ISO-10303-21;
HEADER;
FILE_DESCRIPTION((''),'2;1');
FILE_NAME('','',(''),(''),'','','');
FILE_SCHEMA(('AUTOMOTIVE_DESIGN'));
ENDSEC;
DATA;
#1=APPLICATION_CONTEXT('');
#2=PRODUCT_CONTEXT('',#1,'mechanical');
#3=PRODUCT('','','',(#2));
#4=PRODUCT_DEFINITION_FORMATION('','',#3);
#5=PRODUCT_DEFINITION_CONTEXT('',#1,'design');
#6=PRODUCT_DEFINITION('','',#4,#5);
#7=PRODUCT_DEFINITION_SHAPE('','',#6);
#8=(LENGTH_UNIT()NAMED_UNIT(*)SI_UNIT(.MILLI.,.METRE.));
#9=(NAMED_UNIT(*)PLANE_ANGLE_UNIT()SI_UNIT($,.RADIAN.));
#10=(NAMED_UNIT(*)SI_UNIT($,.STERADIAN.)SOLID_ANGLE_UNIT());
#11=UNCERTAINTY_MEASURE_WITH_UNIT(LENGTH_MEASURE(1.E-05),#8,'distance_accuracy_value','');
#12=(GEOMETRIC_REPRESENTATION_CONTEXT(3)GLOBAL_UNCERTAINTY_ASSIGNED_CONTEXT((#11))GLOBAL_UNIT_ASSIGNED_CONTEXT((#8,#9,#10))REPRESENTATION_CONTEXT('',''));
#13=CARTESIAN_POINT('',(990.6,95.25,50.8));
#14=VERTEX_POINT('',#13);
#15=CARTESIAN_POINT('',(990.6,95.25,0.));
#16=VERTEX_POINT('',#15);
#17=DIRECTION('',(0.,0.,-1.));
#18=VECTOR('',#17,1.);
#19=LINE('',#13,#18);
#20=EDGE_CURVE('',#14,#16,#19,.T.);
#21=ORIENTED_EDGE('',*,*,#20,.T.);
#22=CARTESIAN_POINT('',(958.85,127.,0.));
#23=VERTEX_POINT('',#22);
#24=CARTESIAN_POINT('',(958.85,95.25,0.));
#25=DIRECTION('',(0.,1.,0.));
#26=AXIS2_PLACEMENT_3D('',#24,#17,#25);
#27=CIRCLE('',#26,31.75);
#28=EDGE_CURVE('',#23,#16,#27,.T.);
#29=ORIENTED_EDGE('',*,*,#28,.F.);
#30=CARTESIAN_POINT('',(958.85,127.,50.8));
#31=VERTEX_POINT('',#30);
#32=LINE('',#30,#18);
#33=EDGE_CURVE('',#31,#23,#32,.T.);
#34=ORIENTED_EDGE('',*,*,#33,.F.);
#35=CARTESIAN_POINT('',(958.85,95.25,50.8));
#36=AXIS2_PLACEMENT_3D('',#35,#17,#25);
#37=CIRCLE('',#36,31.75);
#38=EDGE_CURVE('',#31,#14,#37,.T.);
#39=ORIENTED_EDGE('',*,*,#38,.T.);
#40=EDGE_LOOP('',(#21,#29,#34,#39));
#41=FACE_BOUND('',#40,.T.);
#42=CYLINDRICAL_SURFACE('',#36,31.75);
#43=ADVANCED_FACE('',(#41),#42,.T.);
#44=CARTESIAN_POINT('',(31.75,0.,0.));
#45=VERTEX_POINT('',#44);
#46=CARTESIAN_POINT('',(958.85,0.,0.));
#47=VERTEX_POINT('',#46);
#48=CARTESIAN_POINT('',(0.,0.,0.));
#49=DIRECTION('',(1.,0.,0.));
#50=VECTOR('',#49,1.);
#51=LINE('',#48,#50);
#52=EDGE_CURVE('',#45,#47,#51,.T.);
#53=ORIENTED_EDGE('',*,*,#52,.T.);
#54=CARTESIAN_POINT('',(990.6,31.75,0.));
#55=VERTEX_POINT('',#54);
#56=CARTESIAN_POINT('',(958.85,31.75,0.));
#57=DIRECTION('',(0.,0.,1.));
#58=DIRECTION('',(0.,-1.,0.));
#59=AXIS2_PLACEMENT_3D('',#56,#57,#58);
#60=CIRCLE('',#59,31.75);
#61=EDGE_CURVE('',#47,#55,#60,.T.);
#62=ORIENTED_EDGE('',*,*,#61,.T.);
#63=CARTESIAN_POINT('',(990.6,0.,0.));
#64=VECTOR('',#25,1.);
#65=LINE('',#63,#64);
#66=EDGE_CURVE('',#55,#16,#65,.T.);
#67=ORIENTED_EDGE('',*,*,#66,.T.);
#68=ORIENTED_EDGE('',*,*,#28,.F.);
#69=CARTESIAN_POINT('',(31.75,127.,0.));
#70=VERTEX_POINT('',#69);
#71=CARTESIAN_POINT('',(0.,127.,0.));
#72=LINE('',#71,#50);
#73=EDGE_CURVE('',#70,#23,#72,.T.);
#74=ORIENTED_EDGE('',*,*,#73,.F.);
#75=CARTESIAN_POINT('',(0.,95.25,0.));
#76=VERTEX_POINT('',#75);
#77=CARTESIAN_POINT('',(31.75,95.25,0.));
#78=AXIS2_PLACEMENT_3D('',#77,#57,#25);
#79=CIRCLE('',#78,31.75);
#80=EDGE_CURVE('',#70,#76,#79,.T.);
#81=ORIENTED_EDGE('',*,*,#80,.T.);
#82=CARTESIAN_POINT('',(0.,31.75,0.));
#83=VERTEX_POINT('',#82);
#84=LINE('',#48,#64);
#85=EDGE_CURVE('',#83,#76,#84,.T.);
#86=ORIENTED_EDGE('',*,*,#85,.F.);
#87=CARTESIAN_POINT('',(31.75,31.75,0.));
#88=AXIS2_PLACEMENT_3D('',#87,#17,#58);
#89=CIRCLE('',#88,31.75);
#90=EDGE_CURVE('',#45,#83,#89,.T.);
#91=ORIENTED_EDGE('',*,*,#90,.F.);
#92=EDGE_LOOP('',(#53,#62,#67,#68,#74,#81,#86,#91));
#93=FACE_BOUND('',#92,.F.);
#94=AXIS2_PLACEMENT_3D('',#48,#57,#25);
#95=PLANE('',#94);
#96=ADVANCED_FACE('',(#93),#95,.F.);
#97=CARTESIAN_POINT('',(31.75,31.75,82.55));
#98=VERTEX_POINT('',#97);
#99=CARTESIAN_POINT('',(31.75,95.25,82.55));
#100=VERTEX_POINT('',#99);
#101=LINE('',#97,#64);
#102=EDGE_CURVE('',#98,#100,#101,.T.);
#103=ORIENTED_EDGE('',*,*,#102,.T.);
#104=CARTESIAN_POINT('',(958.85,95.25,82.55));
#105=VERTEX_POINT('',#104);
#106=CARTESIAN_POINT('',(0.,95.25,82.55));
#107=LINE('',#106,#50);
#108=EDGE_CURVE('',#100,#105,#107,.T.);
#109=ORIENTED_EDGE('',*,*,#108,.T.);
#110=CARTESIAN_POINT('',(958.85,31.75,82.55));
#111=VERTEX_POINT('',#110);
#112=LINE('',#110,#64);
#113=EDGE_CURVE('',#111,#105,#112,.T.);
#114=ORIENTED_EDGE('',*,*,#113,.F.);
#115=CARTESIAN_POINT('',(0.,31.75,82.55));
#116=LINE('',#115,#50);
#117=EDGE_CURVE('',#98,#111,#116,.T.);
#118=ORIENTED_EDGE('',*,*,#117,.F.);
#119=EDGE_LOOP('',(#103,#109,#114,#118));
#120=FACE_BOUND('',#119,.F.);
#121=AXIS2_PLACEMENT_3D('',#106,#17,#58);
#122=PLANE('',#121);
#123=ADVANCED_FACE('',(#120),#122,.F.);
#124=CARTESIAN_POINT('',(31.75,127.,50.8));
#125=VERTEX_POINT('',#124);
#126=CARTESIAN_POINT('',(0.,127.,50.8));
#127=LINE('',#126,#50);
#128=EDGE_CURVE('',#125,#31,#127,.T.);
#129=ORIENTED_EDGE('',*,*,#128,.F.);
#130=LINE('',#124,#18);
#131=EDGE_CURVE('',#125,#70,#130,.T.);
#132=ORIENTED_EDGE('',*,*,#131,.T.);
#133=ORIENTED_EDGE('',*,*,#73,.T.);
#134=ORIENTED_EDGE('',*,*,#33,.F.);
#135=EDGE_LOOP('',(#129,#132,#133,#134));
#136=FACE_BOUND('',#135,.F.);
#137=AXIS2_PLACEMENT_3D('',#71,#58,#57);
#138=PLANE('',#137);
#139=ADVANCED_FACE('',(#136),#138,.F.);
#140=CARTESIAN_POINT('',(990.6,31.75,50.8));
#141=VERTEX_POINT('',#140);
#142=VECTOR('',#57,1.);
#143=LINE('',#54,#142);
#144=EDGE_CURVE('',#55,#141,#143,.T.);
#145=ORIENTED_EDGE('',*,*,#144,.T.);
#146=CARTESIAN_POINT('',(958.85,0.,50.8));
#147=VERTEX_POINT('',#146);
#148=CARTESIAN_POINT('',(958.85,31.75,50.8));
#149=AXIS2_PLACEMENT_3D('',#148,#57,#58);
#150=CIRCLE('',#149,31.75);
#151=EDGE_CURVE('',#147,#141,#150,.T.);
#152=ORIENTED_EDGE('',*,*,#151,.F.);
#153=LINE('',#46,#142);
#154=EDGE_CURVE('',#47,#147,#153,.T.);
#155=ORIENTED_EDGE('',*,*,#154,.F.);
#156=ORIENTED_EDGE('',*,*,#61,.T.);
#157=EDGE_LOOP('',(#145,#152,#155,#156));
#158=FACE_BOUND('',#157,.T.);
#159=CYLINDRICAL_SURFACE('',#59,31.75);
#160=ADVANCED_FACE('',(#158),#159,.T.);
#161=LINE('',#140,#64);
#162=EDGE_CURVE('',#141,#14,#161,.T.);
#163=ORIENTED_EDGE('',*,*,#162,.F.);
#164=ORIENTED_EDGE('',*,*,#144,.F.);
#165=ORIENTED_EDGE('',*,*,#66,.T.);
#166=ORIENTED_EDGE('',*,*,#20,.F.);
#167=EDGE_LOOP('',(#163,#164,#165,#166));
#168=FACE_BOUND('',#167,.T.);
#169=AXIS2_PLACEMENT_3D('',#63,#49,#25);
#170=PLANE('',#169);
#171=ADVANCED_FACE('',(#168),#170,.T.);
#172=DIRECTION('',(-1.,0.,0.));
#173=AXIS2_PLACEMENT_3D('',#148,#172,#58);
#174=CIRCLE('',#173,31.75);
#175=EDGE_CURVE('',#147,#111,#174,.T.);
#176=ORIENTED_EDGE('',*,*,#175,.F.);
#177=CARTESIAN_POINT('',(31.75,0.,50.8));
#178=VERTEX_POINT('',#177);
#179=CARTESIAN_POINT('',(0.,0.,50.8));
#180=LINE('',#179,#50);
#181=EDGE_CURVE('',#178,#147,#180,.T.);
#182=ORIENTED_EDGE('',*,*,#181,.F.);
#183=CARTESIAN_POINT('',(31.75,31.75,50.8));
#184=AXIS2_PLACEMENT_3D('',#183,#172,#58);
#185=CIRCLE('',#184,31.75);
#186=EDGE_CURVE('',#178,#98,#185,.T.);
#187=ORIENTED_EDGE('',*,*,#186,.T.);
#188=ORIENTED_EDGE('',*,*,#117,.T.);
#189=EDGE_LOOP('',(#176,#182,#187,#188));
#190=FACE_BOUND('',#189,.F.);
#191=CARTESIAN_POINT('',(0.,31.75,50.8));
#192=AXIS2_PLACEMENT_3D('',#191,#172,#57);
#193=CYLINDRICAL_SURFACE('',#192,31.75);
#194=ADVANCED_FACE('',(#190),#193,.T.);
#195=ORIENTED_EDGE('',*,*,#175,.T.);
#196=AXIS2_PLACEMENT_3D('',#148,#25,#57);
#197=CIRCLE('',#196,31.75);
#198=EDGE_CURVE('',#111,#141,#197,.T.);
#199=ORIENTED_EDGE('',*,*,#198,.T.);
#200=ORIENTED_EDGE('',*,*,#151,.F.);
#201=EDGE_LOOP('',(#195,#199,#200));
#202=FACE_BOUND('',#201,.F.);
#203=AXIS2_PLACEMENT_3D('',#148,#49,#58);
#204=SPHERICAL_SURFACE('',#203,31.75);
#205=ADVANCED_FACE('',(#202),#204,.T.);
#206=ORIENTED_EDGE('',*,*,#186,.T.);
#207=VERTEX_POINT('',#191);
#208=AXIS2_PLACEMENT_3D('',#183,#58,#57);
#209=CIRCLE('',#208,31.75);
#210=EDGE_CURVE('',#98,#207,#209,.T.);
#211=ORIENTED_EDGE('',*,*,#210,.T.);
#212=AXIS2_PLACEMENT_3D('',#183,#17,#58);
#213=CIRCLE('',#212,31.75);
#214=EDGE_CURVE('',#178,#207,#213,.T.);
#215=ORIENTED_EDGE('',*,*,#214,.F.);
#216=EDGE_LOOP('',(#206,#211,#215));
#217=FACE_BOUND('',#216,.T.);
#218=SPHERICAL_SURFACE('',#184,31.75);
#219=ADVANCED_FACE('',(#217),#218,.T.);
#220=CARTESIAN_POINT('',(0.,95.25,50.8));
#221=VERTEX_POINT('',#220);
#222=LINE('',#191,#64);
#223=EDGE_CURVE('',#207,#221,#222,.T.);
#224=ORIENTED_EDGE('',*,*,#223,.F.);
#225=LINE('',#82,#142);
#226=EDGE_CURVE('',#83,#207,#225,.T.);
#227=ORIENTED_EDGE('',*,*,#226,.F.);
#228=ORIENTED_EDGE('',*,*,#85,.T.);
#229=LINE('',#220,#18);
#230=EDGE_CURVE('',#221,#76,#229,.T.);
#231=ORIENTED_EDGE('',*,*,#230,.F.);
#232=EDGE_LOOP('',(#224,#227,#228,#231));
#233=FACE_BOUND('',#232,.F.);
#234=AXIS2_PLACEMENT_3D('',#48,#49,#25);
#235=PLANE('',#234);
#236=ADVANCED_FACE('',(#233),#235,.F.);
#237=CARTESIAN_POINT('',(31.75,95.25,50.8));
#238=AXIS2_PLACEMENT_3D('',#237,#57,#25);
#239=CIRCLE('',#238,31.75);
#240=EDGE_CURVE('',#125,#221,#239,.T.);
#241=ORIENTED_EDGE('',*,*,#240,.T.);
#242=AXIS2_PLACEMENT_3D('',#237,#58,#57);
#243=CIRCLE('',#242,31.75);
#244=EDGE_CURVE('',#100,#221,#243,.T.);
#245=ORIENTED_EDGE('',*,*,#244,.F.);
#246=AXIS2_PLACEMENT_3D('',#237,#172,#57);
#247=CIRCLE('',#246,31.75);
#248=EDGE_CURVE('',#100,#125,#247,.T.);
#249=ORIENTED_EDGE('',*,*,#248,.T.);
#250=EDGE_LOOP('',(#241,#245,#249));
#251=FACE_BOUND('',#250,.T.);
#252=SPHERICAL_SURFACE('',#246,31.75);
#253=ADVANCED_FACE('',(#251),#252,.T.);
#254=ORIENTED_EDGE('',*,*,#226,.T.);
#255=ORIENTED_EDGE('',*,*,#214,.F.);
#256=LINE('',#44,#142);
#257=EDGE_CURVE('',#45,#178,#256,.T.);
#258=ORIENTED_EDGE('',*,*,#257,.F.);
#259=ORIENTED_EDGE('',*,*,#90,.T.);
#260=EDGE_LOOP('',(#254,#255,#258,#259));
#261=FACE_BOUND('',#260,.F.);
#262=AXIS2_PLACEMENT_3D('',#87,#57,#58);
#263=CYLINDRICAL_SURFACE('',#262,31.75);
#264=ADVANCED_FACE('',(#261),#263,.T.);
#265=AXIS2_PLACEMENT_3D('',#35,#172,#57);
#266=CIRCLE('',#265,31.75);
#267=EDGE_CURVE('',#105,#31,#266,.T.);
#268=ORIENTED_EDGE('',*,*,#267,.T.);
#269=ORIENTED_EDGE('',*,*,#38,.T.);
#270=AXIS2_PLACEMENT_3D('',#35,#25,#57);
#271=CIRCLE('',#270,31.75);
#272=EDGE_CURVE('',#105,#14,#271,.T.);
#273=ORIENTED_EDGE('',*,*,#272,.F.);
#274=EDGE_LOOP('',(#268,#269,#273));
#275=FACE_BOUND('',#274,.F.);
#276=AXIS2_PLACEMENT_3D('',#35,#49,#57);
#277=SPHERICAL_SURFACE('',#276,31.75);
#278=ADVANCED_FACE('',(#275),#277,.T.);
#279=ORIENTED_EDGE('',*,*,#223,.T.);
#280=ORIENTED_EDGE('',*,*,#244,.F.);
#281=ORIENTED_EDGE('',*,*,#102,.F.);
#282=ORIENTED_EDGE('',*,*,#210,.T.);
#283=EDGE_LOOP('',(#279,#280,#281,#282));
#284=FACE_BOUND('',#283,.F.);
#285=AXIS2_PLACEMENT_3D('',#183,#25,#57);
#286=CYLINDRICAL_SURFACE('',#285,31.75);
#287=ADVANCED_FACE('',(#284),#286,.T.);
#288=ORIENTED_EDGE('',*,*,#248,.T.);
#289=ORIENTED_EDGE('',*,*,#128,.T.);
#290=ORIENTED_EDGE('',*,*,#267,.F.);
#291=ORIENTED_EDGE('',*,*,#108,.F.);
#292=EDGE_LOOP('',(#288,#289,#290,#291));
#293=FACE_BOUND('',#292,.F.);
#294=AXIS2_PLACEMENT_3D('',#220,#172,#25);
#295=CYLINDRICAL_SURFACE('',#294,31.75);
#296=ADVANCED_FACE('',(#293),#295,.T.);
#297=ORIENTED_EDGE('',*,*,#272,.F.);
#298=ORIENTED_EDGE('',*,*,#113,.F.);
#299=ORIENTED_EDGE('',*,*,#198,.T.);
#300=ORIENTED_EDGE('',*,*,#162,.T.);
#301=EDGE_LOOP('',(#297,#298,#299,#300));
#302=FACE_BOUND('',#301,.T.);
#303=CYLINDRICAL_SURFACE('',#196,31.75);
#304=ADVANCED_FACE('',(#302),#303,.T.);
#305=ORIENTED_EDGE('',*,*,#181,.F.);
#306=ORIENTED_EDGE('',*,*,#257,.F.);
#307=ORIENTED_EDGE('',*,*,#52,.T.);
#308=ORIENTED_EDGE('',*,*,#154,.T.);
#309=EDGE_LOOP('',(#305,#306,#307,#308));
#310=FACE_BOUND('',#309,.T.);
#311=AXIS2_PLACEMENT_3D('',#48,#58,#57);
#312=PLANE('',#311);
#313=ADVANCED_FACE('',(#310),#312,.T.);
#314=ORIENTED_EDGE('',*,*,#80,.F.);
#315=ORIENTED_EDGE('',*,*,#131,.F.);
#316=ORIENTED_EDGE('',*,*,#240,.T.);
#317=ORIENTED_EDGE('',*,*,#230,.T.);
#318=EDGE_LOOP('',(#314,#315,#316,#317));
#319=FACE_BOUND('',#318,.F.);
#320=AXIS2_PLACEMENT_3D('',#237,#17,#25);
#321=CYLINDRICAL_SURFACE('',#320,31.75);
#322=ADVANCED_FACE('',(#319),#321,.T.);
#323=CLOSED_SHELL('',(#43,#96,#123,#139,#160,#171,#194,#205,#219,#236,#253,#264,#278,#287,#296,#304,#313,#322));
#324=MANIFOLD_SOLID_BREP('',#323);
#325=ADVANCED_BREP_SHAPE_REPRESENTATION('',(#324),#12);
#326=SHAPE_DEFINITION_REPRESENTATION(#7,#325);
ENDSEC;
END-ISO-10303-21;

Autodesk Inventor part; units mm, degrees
ref_plane "YZ Plane" through (0, 0, 0) normal (1, 0, 0) x (0, 1, 0)
ref_plane "XZ Plane" through (0, 0, 0) normal (0, 1, 0) x (-1, 0, 0)
ref_plane "XY Plane" through (0, 0, 0) normal (0, 0, 1) x (1, 0, 0)
sketch "Sketch1" plane through (0, 0, 0) normal (1, 0, 0) x (0, 1, 0)
  line L0 (0, 0) -> (127, 0)
  line L1 (127, 0) -> (127, 50.8)
  line L2 (0, 0) -> (0, 50.8)
  arc A0 (95.25, 82.55) -> (127, 50.8) centre (95.25, 50.8) ccw construction
  arc A1 (31.75, 82.55) -> (0, 50.8) centre (31.75, 50.8) ccw
  line L3 (95.25, 82.55) -> (31.75, 82.55)
  arc A2 (127, 50.8) -> (95.25, 82.55) centre (95.25, 50.8) ccw
  line L4 (127, 19.05) -> (0, 19.05) construction
  dimension "d0" = 127
  dimension "d1" = 63.5
  dimension "d2" = 19.05
extrude "Extrusion1" add sketch "Sketch1" along normal blind 990.6
fillet "Fillet1" radius 31.75 10 edges at (990.6, 0, 25.4) (990.6, 63.5, 82.55) (990.6, 117.7006, 73.2506) (990.6, 127, 25.4) (990.6, 9.2994, 73.2506) (0, 0, 25.4) (0, 63.5, 82.55) (0, 117.7006, 73.2506) (0, 127, 25.4) (0, 9.2994, 73.2506)
properties part number "Back Bumper"
